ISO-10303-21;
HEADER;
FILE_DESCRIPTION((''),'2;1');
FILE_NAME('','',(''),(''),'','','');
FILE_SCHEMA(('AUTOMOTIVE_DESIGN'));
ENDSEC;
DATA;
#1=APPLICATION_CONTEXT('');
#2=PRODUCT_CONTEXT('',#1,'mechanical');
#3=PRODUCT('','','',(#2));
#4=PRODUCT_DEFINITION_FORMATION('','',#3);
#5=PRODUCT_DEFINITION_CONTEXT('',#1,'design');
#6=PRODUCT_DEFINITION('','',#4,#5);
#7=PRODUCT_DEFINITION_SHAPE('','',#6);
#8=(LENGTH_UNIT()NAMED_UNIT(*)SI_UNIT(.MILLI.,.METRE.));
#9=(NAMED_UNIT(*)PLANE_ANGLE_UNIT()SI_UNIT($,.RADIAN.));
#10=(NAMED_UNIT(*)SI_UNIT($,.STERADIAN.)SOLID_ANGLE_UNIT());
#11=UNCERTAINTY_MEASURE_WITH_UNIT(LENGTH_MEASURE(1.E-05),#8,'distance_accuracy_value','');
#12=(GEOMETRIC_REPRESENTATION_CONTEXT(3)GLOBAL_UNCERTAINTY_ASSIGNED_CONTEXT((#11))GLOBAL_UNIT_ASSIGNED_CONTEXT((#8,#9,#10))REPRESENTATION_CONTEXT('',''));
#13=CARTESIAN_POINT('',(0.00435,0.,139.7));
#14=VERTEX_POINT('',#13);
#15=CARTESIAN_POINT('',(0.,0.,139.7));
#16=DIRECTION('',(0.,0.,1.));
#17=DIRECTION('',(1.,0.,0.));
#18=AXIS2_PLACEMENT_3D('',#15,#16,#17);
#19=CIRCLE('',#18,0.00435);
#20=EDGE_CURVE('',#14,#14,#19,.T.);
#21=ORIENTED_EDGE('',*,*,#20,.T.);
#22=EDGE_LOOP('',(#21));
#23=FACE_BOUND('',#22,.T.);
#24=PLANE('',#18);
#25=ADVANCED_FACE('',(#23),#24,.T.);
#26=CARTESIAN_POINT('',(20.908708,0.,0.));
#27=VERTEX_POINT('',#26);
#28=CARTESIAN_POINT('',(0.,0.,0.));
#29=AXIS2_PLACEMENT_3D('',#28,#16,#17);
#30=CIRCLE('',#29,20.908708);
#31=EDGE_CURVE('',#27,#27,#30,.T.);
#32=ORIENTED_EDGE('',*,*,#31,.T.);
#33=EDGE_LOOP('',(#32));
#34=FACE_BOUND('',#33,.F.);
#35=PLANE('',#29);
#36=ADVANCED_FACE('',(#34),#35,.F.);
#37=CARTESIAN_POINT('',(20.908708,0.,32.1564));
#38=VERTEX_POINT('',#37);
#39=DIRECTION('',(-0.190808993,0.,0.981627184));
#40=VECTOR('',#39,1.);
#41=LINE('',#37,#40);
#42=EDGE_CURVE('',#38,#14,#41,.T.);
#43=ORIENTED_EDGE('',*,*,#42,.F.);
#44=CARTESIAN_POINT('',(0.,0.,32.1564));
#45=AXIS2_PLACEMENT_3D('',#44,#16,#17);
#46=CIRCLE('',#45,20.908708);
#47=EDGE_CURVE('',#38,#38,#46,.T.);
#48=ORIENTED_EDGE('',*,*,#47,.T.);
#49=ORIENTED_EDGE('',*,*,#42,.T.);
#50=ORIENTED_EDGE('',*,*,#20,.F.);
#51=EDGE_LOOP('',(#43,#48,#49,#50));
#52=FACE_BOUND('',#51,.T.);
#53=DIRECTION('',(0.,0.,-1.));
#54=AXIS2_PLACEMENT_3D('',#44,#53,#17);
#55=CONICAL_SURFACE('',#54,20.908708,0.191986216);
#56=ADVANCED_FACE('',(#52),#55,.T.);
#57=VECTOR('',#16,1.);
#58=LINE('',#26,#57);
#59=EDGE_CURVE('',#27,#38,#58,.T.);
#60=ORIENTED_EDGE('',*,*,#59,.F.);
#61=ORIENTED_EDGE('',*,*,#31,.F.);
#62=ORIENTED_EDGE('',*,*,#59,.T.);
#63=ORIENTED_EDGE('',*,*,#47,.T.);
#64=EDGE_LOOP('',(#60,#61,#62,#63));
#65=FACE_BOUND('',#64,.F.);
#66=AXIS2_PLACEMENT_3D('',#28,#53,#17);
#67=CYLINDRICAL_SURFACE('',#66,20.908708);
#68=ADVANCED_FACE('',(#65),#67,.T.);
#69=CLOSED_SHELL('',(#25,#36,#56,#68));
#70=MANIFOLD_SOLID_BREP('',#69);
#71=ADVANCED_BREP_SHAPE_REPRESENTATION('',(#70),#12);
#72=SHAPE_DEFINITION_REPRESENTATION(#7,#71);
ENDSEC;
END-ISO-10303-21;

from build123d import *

# Parameters (mm, degrees)
F0_R     = 20.908708
F1_DEPTH = 139.7
F2_SIZE2 = 20.904358
F2_SIZE  = 107.5436


with BuildPart() as f1:
    # F0 (on Top) → F1 (new body)
    with BuildSketch(Plane.XY):
        Circle(F0_R)
    extrude(amount=F1_DEPTH)

    # F2
    f2_edges = [f1.edges().sort_by_distance(p)[0] for p in [
        (-20.908708, 0, 139.7),
    ]]
    chamfer(f2_edges, length=F2_SIZE, length2=F2_SIZE2)


solid = f1.part
